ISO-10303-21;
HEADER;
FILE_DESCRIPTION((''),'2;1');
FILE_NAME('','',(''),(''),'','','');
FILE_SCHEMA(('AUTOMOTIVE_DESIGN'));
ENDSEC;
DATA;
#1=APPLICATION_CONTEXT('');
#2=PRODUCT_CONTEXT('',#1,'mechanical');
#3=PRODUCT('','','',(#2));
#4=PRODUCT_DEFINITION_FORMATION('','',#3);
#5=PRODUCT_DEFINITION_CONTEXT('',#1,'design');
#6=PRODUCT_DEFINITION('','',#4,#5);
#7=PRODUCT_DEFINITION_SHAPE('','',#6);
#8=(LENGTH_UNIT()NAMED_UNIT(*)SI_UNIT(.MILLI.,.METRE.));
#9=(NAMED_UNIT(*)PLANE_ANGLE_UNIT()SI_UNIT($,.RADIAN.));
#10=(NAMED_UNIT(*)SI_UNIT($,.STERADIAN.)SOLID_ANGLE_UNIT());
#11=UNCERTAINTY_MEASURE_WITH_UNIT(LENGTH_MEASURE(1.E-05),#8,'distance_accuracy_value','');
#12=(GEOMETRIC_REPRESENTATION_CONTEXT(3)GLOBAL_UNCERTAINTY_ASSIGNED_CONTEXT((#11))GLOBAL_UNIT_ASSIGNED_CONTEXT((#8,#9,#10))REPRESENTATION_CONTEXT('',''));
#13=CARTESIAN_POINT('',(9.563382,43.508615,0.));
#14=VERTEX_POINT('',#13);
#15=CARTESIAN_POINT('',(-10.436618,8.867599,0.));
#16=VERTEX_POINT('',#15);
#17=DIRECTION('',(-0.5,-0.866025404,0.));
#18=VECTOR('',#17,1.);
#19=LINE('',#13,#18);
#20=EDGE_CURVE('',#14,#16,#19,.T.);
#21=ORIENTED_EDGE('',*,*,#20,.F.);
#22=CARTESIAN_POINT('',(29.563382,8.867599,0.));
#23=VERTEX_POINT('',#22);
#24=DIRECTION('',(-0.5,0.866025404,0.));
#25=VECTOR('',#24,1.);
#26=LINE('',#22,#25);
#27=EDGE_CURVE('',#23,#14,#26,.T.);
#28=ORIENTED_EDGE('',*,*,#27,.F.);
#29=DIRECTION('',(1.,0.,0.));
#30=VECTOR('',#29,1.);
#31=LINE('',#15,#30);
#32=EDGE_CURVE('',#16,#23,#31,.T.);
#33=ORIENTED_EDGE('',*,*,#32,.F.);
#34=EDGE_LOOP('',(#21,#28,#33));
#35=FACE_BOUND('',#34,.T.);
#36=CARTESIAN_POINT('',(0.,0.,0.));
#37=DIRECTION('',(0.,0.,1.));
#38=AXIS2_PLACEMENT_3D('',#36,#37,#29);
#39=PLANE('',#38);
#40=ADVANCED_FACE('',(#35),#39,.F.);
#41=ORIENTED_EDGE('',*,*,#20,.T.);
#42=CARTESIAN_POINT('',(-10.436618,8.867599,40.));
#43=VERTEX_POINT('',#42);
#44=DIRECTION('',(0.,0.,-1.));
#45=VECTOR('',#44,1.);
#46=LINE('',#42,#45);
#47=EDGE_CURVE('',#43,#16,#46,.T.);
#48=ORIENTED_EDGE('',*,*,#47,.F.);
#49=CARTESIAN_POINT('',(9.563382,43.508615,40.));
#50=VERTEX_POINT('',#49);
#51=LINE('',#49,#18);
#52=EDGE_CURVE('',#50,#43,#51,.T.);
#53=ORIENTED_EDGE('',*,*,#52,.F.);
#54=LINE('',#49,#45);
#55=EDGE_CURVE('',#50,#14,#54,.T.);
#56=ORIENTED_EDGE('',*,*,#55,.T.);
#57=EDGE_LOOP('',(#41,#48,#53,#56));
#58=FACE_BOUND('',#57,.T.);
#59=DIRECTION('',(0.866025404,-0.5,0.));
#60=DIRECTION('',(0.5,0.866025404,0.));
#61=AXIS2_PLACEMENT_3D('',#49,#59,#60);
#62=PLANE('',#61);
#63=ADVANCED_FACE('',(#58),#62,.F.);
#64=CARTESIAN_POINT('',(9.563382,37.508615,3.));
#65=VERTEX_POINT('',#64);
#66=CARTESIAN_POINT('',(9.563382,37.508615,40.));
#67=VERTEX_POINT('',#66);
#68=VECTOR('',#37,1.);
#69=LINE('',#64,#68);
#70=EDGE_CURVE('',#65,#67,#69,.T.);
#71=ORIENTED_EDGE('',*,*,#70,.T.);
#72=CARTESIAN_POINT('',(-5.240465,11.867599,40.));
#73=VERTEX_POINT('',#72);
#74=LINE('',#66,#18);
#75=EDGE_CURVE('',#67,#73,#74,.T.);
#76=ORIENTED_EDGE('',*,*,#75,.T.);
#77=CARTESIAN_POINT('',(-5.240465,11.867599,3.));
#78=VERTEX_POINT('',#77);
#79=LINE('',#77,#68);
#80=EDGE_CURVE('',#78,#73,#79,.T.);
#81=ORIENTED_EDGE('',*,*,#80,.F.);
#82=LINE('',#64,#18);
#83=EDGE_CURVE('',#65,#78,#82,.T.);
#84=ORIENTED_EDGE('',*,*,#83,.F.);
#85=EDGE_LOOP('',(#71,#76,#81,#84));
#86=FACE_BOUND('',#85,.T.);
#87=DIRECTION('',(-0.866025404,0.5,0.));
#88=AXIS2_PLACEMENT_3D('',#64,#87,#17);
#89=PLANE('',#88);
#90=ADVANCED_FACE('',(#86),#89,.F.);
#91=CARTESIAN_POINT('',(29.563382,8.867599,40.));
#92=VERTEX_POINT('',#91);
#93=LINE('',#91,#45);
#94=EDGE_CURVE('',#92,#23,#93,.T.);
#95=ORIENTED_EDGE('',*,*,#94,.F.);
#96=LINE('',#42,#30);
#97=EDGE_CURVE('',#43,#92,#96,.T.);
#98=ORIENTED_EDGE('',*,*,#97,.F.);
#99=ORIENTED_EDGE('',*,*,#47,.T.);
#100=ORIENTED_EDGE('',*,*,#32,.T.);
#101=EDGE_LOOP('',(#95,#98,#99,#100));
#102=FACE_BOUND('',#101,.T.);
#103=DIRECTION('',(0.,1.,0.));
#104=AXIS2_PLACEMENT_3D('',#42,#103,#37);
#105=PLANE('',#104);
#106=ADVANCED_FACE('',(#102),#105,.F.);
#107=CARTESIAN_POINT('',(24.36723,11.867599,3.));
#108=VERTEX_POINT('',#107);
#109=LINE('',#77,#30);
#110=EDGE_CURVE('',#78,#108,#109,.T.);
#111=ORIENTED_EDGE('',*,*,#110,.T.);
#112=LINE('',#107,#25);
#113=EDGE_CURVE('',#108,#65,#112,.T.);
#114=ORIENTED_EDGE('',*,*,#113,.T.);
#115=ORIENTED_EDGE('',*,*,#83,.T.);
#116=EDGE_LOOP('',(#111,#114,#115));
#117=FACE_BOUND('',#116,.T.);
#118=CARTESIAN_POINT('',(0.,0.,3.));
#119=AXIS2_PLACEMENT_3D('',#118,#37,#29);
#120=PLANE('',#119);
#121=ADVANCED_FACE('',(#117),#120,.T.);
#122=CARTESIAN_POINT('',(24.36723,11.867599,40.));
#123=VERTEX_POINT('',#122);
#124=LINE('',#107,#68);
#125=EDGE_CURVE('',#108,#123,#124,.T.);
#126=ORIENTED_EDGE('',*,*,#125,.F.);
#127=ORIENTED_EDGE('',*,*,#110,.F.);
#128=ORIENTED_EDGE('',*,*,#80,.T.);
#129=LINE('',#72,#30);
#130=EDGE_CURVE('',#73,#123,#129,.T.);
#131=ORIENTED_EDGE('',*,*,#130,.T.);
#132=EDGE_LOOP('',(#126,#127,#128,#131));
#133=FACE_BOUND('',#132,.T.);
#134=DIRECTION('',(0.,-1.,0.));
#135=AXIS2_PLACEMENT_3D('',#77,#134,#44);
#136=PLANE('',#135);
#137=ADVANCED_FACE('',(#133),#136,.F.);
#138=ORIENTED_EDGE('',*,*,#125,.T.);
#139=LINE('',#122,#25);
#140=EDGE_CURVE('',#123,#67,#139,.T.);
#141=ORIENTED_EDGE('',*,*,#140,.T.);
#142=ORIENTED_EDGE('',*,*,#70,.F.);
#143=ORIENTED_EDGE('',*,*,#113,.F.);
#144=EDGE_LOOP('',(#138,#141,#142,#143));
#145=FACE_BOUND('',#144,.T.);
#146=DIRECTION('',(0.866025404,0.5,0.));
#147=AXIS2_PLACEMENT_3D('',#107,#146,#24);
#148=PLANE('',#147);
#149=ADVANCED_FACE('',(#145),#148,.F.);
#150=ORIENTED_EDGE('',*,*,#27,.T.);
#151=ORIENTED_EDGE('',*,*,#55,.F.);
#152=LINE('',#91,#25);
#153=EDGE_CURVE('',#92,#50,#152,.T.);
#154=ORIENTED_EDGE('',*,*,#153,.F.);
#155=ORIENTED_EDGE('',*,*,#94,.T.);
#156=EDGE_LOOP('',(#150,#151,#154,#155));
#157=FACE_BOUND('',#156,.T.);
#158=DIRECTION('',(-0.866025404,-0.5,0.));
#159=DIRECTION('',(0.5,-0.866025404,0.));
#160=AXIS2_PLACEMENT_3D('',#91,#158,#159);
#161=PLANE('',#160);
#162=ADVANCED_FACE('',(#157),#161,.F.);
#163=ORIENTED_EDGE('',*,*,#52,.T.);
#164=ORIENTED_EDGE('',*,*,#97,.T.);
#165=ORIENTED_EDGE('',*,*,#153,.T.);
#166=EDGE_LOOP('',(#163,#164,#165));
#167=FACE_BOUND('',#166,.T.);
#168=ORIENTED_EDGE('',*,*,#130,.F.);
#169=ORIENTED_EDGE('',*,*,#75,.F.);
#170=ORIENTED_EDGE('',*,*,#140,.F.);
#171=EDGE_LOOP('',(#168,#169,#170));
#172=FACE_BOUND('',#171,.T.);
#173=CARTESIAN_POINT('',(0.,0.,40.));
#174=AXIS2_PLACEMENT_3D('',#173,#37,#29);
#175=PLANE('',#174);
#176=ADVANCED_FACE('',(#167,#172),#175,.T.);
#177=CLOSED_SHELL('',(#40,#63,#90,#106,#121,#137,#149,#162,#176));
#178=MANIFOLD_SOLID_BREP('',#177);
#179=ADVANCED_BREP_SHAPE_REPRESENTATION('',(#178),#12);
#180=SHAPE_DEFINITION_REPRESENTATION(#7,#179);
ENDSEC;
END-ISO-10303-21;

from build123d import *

# Parameters (mm, degrees)
EXTRUDE_1_DEPTH     = 40
CUT_EXTRUDE_1_DEPTH = 37


with BuildPart() as part:
    # 草图1 → 凸台-拉伸1 (new body)
    with BuildSketch(Plane.XY):
        Polygon((9.563382094, 43.508615242), (-10.436617906, 8.86759909), (29.563382094, 8.86759909), align=None)
    extrude(amount=EXTRUDE_1_DEPTH)

    # 草图2 → 切除-拉伸1 (cut)
    with BuildSketch(Plane.XY.offset(40)):
        Polygon((9.563382094, 37.508615242), (-5.240465483, 11.86759909), (24.367229672, 11.86759909), align=None)
    extrude(amount=-CUT_EXTRUDE_1_DEPTH, mode=Mode.SUBTRACT)


solid = part.part
